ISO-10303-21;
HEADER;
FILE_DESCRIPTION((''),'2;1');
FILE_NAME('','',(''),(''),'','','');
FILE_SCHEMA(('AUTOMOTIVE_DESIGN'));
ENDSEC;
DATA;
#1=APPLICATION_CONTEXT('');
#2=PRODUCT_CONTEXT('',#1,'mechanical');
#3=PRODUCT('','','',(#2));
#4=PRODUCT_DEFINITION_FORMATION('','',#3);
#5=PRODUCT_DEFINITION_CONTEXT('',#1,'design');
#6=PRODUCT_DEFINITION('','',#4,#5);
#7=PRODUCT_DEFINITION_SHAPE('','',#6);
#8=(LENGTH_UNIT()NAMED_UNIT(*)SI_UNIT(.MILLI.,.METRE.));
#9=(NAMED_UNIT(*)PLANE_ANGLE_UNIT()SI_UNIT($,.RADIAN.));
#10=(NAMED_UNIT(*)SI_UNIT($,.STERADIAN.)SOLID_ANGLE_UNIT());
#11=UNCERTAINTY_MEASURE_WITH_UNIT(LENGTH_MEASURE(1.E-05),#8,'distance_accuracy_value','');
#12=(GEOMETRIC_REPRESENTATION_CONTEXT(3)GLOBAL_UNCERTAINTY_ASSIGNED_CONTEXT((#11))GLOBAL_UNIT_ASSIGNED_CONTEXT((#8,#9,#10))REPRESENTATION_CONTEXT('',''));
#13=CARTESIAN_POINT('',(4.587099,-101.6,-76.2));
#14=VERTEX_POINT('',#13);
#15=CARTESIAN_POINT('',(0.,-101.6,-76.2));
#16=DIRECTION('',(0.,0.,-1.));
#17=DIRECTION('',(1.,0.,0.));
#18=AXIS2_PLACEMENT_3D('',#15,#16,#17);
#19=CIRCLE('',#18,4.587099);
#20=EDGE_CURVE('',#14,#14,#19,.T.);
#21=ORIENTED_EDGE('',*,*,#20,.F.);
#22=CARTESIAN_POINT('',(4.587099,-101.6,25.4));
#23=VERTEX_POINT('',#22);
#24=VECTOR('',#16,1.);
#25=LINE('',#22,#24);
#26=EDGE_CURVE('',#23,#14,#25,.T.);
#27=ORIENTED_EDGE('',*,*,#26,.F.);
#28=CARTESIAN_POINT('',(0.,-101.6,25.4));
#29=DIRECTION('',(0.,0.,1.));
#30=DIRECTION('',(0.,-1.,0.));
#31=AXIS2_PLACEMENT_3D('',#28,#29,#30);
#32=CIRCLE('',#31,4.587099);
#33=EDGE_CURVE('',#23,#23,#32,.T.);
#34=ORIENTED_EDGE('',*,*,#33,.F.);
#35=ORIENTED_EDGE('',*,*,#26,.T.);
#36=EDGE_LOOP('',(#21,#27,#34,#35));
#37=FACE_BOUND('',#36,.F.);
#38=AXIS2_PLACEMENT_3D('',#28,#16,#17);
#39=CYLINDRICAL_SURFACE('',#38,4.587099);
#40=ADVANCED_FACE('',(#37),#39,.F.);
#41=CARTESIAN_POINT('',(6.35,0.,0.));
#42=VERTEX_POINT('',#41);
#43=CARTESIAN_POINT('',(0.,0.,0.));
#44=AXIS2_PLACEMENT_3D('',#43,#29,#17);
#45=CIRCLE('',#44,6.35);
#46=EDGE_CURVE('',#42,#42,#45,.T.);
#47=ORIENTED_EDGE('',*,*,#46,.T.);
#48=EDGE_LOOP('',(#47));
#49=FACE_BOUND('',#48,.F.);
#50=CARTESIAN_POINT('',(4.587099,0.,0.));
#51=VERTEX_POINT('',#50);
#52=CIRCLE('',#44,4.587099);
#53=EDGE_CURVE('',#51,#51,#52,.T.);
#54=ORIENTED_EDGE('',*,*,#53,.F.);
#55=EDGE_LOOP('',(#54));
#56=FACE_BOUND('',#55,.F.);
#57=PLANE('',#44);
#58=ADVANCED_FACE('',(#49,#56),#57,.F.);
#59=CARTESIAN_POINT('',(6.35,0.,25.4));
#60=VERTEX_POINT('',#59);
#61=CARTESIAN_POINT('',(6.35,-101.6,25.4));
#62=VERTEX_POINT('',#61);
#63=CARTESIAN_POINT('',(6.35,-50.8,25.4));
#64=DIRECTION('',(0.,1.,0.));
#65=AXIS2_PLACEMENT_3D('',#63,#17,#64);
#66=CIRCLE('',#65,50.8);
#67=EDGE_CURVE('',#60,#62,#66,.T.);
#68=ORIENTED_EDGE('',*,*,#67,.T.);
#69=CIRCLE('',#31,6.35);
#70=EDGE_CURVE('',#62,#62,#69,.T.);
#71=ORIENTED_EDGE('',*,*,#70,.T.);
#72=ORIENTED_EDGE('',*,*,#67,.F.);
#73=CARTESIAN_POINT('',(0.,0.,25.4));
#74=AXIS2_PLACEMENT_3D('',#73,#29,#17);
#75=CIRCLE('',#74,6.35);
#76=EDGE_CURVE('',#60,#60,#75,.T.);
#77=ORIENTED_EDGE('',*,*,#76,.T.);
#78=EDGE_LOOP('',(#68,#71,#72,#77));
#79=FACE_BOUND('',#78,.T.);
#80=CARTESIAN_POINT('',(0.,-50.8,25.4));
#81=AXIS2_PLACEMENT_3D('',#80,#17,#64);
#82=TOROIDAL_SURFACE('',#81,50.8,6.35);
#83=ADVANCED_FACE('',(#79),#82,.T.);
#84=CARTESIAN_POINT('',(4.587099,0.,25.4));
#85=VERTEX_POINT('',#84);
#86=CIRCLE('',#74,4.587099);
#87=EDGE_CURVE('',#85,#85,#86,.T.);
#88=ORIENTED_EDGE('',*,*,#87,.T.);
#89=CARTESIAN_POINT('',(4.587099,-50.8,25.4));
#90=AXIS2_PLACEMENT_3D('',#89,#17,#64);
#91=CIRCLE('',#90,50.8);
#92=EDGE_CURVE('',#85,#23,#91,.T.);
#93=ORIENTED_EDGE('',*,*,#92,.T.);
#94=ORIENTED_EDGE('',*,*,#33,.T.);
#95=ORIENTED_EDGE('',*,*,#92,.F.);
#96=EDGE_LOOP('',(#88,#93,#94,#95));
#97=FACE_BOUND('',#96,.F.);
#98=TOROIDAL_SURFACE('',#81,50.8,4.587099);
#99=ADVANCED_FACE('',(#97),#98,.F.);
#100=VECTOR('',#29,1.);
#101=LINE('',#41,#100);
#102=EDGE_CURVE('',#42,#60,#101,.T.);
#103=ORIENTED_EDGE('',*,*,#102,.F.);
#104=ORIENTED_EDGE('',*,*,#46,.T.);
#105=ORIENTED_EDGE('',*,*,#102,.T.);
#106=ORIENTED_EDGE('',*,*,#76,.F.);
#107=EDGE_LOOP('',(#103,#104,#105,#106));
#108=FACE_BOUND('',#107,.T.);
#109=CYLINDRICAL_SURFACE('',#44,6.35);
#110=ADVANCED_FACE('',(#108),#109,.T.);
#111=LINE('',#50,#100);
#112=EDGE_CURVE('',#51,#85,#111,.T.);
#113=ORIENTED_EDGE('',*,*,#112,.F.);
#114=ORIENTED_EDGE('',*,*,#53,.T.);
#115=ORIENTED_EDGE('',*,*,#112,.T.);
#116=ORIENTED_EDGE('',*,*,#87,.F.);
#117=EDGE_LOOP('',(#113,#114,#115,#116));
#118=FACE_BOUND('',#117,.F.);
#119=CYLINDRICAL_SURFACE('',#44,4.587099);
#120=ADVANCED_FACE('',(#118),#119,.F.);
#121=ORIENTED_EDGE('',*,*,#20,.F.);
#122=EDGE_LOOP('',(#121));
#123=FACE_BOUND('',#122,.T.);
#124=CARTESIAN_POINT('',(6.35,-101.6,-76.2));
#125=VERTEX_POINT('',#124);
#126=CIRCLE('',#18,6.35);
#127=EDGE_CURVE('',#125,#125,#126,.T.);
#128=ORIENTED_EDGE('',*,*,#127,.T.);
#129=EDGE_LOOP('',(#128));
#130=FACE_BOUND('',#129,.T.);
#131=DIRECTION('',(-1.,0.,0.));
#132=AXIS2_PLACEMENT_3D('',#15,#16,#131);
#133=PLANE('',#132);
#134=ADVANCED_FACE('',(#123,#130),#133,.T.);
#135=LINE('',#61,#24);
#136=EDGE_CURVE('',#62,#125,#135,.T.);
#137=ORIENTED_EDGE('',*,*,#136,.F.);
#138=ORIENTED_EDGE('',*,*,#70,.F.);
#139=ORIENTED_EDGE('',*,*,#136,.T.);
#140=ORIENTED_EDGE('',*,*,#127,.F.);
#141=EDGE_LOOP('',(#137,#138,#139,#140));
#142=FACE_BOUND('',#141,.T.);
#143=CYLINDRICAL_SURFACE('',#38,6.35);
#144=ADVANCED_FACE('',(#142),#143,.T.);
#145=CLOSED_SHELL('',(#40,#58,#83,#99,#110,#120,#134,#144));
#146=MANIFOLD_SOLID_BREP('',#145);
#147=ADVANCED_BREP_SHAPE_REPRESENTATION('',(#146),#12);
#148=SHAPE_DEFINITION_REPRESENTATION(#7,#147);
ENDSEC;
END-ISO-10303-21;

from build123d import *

# Parameters (mm, degrees)
F1_R   = 6.35
F1_R_2 = 4.587099


with BuildPart() as f2:
    # F2: sweep along a path in F0
    with BuildLine(Plane.YZ) as f2_path:
        Line((0, 0), (0, 25.4))
        ThreePointArc((0, 25.4), (-50.8, 76.2), (-101.6, 25.4))
        Line((-101.6, 25.4), (-101.6, -76.2))
    # F1 (on Top) → F2 (sweep)
    with BuildSketch(Plane.XY):
        Circle(F1_R)
        Circle(F1_R_2, mode=Mode.SUBTRACT)
    sweep(path=f2_path.line)


solid = f2.part
